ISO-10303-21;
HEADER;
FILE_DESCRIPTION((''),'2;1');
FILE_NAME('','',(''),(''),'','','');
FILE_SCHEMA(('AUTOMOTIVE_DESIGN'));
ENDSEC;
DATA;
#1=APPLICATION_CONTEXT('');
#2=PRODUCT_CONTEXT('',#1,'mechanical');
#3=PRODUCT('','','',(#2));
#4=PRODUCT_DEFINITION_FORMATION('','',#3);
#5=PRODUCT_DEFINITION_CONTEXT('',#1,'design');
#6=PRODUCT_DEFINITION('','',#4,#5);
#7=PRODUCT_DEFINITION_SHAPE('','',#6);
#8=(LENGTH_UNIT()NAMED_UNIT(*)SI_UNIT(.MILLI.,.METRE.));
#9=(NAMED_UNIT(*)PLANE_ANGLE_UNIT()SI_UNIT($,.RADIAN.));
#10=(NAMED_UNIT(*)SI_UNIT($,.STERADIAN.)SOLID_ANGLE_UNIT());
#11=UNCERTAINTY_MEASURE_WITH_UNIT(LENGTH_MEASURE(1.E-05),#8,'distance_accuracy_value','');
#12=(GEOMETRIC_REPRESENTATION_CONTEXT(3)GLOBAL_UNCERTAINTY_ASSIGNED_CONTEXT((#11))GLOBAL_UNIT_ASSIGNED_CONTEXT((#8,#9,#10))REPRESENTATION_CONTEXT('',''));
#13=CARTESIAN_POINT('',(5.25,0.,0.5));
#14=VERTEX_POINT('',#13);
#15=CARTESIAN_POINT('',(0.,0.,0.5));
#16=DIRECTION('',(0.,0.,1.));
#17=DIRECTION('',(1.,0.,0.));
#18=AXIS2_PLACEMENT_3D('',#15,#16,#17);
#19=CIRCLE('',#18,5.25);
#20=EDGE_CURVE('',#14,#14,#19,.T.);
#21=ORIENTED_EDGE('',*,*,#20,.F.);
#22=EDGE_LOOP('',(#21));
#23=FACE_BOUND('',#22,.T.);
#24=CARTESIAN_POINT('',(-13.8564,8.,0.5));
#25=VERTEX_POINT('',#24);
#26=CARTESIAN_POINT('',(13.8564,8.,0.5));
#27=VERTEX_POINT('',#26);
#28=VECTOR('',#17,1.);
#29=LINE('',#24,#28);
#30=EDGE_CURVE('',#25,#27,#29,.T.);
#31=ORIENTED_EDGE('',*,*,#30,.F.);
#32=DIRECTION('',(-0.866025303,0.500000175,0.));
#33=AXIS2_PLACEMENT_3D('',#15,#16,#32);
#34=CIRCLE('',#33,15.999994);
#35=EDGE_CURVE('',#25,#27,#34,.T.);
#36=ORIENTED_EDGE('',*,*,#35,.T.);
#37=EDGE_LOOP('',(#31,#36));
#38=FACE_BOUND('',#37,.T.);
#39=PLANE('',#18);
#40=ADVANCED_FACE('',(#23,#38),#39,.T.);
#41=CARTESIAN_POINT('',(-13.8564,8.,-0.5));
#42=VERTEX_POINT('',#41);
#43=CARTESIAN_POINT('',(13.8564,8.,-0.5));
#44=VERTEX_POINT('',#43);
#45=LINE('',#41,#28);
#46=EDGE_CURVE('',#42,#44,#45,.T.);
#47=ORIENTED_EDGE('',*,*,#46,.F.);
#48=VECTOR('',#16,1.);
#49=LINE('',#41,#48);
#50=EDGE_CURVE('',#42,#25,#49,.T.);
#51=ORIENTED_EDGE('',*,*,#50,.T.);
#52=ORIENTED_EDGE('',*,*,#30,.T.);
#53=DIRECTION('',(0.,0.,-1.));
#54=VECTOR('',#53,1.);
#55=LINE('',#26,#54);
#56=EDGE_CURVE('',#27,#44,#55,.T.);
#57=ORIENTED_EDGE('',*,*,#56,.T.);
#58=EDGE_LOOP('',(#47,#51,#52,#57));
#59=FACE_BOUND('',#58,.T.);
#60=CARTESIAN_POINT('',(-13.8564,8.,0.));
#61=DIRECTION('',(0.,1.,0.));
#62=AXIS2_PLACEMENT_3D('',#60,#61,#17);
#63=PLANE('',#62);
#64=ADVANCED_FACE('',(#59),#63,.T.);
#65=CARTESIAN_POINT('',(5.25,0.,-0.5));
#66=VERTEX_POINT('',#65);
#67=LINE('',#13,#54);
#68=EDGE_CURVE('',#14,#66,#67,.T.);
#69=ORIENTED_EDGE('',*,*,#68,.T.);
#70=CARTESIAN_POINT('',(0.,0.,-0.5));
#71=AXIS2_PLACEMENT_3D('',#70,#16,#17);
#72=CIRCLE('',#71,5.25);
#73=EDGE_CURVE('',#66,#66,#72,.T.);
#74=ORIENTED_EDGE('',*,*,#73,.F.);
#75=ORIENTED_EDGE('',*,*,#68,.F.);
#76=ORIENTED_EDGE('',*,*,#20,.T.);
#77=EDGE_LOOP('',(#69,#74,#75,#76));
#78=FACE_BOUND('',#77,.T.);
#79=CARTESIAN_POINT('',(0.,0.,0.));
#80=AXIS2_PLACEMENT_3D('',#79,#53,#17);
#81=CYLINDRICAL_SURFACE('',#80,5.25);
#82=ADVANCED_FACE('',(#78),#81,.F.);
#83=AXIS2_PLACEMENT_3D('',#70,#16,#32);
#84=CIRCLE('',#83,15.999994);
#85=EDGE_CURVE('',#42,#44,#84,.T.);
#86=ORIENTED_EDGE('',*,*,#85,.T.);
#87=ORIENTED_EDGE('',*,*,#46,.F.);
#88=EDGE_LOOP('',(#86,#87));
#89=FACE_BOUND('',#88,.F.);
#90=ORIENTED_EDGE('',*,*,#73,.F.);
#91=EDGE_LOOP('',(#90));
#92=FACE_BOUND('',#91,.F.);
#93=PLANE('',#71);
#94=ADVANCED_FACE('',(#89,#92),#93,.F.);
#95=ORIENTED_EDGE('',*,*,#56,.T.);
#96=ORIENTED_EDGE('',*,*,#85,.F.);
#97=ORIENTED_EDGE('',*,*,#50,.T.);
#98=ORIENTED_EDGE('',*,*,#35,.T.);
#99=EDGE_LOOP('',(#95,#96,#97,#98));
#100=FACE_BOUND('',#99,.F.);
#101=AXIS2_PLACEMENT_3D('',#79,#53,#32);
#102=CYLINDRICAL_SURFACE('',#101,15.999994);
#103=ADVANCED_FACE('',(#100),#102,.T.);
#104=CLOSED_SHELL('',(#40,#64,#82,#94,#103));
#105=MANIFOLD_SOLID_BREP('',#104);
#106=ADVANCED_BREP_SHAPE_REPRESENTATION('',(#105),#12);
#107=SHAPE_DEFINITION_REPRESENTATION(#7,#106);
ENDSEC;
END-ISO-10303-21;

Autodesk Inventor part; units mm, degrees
ref_plane "YZ Plane" through (0, 0, 0) normal (1, 0, 0) x (0, 1, 0)
ref_plane "XZ Plane" through (0, 0, 0) normal (0, 1, 0) x (-1, 0, 0)
ref_plane "XY Plane" through (0, 0, 0) normal (0, 0, 1) x (1, 0, 0)
sketch "Эскиз1" plane through (0, 0, 0) normal (0, 0, 1) x (1, 0, 0)
  circle A0 centre (0, 0) radius 5.25
  line L0 (0, 0) -> (0, 8) construction
  line L1 (-13.8564, 8) -> (13.8564, 8)
  arc A1 (-13.8564, 8) -> (13.8564, 8) centre (0, 0) ccw
  dimension "d0" = 10.5
  dimension "d1" = 8
  dimension "d2" = 16
extrude "Выдавливание1" add sketch "Эскиз1" along normal mid plane 1
properties part number "68. Пластина упорная"
